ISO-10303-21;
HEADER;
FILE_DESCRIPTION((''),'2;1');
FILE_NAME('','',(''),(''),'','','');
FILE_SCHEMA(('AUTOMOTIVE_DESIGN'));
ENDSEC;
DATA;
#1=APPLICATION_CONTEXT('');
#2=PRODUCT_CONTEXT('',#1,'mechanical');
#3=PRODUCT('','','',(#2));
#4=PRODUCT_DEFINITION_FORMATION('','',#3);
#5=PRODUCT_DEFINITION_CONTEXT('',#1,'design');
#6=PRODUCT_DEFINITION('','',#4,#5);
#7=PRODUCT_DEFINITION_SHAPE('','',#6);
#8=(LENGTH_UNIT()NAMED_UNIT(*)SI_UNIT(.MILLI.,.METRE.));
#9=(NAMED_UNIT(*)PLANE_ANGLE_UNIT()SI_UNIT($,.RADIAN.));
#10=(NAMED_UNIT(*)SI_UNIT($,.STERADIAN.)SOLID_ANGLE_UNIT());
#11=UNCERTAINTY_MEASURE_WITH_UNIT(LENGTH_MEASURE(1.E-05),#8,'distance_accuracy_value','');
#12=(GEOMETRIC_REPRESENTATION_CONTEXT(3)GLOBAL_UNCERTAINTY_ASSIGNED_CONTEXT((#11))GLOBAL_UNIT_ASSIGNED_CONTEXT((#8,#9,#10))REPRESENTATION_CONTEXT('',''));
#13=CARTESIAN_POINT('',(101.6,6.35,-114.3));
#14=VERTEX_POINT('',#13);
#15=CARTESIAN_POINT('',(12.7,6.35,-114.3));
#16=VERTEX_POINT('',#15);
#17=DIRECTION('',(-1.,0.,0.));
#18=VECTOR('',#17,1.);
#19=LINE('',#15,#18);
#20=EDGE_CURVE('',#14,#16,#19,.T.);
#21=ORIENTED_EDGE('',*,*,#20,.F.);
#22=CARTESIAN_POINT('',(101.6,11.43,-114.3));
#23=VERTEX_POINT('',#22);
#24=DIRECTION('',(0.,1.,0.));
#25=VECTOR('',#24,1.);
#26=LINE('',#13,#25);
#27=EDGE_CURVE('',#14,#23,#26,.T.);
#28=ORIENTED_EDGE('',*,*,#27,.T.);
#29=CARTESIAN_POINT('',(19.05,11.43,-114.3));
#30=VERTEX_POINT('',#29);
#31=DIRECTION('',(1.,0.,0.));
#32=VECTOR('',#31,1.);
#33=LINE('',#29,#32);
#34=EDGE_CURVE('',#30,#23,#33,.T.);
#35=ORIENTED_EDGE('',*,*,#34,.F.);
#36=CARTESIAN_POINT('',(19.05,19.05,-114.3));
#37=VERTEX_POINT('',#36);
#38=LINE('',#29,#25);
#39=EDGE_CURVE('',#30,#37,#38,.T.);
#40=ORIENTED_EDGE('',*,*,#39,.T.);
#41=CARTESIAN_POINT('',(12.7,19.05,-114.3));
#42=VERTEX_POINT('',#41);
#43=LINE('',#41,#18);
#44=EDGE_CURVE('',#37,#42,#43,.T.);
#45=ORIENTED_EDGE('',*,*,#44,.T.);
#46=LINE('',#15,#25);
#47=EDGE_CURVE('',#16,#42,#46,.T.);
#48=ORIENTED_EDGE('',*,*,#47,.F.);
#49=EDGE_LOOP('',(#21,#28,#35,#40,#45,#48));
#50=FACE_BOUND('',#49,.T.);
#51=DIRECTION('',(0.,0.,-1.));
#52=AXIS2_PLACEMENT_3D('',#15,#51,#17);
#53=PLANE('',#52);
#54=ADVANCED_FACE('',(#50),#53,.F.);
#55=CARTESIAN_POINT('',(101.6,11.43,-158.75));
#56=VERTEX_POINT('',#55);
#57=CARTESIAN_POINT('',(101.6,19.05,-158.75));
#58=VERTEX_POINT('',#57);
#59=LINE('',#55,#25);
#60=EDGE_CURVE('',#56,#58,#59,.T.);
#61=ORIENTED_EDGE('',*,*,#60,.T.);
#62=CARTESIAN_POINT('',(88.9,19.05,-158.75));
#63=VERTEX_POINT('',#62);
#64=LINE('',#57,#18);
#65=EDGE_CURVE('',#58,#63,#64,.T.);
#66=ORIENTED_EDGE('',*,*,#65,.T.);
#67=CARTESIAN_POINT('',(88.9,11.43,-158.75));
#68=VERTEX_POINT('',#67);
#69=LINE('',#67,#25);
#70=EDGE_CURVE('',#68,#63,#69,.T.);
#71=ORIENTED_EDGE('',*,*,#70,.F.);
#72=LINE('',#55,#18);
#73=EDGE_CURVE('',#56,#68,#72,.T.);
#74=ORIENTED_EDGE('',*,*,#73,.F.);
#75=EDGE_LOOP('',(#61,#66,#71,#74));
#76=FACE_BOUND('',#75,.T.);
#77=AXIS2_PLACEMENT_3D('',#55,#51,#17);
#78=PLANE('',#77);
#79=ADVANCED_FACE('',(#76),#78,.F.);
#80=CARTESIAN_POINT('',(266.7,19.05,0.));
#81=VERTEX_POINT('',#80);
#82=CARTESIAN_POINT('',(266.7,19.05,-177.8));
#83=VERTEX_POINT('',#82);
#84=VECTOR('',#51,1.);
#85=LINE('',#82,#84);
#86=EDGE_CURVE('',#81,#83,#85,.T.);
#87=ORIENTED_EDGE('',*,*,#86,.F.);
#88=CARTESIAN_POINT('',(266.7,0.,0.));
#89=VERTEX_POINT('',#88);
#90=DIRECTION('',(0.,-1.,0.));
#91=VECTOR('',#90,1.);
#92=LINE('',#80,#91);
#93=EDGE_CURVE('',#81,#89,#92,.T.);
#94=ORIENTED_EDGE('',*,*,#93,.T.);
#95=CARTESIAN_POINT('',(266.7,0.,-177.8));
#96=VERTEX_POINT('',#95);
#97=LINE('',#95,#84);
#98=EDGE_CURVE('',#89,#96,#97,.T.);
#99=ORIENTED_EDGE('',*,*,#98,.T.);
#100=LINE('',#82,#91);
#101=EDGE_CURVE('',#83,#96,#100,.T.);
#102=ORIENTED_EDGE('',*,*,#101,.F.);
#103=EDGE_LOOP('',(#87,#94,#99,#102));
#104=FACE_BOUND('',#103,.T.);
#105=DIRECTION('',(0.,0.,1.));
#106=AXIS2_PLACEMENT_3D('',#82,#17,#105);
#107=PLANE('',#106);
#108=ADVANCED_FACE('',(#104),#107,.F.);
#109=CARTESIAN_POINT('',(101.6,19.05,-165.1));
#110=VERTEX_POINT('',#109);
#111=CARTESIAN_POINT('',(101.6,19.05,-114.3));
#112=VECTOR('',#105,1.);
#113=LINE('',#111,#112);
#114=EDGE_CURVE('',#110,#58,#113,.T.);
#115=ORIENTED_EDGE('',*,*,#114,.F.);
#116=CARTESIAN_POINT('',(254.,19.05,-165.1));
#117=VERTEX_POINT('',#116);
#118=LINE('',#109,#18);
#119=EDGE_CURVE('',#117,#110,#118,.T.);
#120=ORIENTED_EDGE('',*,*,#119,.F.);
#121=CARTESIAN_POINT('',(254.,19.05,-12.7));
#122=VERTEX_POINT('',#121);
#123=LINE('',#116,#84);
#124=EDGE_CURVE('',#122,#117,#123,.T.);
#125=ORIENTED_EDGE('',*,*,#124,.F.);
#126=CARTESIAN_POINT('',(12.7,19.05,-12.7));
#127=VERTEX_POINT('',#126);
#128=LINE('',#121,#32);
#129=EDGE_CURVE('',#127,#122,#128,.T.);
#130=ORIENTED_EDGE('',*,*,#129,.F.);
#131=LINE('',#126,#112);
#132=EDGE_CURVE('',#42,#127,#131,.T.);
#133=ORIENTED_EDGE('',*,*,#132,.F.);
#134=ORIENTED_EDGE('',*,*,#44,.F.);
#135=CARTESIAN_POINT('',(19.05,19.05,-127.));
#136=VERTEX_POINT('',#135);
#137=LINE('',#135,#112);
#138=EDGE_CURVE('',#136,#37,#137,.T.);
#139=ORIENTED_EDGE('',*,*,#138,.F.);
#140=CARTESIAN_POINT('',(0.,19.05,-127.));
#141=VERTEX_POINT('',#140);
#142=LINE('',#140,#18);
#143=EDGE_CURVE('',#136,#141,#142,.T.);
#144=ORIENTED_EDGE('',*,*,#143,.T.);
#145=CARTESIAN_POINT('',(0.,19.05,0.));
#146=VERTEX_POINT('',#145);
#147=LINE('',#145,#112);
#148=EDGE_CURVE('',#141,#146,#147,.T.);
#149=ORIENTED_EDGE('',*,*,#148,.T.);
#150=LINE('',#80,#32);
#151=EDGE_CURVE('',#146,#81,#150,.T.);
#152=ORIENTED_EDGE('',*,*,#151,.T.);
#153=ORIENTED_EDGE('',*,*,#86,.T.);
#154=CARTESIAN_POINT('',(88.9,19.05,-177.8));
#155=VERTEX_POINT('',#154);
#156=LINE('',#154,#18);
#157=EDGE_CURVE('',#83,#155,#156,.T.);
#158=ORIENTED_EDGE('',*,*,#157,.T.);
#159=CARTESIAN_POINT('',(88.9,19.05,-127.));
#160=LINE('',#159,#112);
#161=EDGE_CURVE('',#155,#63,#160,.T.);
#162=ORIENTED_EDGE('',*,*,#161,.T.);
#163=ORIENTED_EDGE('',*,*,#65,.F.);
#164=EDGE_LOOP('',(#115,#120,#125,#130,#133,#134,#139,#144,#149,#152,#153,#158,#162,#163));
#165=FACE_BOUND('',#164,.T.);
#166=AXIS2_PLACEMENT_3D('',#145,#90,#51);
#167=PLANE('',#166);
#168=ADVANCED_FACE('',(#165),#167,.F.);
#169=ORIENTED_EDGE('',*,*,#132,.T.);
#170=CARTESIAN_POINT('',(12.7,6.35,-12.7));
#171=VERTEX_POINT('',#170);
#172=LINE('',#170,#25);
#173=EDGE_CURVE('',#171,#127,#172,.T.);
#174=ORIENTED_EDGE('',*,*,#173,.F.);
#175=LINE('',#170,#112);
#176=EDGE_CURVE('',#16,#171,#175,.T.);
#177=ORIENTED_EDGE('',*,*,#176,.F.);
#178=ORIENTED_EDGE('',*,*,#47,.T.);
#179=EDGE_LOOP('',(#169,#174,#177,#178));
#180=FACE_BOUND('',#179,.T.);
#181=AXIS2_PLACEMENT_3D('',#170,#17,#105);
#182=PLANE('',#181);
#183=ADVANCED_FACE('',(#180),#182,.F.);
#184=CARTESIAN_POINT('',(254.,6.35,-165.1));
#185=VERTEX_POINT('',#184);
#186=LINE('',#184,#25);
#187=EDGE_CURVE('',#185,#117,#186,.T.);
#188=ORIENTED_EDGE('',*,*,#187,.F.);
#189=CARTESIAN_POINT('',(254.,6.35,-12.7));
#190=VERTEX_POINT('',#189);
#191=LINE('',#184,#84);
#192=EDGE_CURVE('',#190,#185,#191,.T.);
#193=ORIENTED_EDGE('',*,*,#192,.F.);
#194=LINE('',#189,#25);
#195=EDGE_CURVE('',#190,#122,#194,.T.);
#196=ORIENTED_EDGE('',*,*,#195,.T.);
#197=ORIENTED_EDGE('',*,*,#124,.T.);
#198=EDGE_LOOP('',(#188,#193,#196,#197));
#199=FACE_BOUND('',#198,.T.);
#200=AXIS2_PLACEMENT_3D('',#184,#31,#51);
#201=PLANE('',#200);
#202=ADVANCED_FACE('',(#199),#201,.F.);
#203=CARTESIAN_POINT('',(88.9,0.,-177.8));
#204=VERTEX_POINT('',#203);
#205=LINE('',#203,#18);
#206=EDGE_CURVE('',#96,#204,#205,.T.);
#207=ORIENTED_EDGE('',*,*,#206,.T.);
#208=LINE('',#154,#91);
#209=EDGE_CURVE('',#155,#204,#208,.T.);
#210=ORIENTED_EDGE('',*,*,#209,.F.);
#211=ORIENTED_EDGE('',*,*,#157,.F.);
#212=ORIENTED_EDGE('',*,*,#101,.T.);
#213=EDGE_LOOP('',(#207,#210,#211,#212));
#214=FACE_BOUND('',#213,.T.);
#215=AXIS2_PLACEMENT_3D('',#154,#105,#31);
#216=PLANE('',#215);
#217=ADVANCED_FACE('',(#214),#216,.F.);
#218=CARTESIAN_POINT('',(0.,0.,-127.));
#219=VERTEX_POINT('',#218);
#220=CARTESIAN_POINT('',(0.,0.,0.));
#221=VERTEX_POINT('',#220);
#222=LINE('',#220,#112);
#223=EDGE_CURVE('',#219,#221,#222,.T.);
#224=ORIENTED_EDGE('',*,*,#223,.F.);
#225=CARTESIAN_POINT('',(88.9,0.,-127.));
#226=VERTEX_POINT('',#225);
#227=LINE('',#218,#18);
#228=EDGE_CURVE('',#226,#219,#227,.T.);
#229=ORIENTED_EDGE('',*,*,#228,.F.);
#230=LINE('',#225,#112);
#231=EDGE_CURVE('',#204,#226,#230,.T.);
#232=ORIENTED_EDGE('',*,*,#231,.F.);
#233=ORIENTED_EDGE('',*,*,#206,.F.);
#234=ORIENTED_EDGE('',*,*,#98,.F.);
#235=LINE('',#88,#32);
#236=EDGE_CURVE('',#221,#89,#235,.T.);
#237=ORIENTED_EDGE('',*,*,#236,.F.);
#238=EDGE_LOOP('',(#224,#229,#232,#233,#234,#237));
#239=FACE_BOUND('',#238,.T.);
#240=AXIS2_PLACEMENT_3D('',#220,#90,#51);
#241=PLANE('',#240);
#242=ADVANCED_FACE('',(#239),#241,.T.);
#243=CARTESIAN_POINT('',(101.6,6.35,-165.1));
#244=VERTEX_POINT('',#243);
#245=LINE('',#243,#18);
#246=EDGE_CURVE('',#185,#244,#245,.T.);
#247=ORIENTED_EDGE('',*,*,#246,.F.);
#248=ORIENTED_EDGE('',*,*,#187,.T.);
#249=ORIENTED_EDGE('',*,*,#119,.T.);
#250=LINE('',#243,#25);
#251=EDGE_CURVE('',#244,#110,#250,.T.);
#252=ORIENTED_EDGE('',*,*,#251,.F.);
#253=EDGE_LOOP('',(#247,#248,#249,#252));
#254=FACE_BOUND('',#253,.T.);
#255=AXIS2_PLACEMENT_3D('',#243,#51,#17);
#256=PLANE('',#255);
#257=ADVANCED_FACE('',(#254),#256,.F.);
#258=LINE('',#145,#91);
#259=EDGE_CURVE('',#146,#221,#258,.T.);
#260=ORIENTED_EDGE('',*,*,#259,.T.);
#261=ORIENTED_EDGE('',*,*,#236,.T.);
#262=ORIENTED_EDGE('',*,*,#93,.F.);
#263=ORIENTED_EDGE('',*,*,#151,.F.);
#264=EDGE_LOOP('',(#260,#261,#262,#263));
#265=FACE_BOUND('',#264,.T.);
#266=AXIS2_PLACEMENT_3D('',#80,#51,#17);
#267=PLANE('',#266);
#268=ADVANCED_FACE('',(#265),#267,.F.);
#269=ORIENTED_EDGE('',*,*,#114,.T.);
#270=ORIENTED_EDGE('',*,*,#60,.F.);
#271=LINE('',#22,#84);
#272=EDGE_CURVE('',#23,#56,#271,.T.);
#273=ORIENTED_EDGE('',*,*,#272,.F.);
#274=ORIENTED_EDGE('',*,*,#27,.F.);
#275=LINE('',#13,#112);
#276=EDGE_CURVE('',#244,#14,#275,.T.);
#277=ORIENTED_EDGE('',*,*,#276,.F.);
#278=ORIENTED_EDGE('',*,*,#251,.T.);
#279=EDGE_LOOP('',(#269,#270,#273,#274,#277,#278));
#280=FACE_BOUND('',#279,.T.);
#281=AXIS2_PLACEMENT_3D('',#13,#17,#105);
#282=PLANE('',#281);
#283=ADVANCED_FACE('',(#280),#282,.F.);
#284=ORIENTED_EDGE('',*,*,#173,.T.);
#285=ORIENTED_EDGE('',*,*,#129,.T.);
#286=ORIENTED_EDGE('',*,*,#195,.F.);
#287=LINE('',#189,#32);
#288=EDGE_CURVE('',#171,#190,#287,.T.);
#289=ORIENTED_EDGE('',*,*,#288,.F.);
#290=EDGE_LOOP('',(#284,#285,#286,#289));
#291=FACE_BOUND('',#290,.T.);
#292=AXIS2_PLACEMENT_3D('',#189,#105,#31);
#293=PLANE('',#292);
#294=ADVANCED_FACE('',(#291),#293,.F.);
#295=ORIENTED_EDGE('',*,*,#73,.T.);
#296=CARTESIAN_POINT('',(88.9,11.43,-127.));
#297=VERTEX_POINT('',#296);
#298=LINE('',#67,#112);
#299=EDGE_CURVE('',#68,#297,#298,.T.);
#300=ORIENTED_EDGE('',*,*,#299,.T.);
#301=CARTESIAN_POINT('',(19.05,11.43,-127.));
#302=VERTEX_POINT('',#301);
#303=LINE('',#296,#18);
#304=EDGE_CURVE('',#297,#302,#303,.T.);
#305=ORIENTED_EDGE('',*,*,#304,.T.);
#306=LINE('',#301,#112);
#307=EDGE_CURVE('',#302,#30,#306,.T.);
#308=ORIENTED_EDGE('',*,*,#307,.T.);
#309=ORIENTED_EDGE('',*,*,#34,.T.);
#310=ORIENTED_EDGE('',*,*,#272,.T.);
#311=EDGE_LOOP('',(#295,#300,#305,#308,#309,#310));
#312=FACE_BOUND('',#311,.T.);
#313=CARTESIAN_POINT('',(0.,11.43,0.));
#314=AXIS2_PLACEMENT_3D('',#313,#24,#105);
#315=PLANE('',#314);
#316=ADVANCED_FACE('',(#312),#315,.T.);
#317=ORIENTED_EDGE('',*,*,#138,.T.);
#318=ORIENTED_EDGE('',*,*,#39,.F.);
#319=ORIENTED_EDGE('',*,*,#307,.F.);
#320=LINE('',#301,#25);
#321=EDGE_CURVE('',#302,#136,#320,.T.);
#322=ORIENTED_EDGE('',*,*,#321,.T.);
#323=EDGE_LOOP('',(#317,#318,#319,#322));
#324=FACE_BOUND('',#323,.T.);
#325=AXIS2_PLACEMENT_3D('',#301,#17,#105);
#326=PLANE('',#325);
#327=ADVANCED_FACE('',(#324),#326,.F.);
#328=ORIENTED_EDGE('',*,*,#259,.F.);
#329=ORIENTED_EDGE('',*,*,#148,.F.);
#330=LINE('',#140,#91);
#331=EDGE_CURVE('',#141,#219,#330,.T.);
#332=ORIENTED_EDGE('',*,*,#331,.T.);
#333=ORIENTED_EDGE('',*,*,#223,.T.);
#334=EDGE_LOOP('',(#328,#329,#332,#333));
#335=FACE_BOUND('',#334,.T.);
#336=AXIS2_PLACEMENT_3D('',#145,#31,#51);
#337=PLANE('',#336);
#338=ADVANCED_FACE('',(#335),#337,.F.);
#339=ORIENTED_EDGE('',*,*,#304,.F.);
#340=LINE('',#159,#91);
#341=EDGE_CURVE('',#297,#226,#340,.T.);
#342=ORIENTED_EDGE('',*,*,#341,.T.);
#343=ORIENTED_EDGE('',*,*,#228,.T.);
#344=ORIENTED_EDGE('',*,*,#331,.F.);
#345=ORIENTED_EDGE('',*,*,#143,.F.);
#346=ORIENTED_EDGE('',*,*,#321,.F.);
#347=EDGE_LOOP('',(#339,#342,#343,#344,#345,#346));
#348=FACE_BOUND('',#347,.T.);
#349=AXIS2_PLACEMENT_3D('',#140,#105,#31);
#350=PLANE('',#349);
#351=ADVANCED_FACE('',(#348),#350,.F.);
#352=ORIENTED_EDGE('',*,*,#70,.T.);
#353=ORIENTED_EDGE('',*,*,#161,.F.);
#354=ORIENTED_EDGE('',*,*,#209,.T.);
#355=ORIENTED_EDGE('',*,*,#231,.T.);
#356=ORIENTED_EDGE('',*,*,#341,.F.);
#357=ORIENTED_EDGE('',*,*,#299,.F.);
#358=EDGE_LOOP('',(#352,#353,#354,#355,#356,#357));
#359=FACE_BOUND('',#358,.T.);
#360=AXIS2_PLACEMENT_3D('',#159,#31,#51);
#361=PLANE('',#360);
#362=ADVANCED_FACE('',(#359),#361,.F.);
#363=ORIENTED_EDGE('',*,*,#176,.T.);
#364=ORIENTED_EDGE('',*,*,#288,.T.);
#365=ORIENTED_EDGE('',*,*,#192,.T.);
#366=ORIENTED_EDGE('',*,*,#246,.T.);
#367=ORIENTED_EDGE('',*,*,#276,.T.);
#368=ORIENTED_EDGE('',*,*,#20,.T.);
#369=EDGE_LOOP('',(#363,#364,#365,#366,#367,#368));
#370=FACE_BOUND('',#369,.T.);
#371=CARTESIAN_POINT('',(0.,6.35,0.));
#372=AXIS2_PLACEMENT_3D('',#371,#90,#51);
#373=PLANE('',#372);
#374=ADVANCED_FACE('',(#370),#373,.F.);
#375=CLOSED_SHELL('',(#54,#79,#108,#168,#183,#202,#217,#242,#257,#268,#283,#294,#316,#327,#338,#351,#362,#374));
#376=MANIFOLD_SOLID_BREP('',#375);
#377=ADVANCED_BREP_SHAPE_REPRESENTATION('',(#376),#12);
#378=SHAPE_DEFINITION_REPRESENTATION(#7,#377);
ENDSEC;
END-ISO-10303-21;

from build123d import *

# Parameters (mm, degrees)
BOSS_EXTRUDE1_DEPTH = 19.05
CUT_EXTRUDE1_DEPTH  = 12.7
CUT_EXTRUDE2_DEPTH  = 7.62


with BuildPart() as part:
    # Sketch1 → Boss-Extrude1 (new body)
    with BuildSketch(Plane(origin=(0, 0, 0), x_dir=(1, 0, 0), z_dir=(0, 1, 0))):
        Polygon((0, 0), (0, 127), (88.9, 127), (88.9, 177.8), (266.7, 177.8), (266.7, 0), align=None)
    extrude(amount=BOSS_EXTRUDE1_DEPTH)

    # Sketch2 → Cut-Extrude1 (cut)
    with BuildSketch(Plane(origin=(0, 19.05, 0), x_dir=(1, 0, 0), z_dir=(0, 1, 0))):
        Polygon((12.7, 114.3), (101.6, 114.3), (101.6, 165.1), (254, 165.1), (254, 12.7), (12.7, 12.7), align=None)
    extrude(amount=-CUT_EXTRUDE1_DEPTH, mode=Mode.SUBTRACT)

    # Sketch3 → Cut-Extrude2 (cut)
    with BuildSketch(Plane(origin=(0, 19.05, 0), x_dir=(1, 0, 0), z_dir=(0, 1, 0))):
        Polygon((19.05, 127), (19.05, 114.3), (101.6, 114.3), (101.6, 158.75), (88.9, 158.75), (88.9, 127), align=None)
    extrude(amount=-CUT_EXTRUDE2_DEPTH, mode=Mode.SUBTRACT)


solid = part.part
